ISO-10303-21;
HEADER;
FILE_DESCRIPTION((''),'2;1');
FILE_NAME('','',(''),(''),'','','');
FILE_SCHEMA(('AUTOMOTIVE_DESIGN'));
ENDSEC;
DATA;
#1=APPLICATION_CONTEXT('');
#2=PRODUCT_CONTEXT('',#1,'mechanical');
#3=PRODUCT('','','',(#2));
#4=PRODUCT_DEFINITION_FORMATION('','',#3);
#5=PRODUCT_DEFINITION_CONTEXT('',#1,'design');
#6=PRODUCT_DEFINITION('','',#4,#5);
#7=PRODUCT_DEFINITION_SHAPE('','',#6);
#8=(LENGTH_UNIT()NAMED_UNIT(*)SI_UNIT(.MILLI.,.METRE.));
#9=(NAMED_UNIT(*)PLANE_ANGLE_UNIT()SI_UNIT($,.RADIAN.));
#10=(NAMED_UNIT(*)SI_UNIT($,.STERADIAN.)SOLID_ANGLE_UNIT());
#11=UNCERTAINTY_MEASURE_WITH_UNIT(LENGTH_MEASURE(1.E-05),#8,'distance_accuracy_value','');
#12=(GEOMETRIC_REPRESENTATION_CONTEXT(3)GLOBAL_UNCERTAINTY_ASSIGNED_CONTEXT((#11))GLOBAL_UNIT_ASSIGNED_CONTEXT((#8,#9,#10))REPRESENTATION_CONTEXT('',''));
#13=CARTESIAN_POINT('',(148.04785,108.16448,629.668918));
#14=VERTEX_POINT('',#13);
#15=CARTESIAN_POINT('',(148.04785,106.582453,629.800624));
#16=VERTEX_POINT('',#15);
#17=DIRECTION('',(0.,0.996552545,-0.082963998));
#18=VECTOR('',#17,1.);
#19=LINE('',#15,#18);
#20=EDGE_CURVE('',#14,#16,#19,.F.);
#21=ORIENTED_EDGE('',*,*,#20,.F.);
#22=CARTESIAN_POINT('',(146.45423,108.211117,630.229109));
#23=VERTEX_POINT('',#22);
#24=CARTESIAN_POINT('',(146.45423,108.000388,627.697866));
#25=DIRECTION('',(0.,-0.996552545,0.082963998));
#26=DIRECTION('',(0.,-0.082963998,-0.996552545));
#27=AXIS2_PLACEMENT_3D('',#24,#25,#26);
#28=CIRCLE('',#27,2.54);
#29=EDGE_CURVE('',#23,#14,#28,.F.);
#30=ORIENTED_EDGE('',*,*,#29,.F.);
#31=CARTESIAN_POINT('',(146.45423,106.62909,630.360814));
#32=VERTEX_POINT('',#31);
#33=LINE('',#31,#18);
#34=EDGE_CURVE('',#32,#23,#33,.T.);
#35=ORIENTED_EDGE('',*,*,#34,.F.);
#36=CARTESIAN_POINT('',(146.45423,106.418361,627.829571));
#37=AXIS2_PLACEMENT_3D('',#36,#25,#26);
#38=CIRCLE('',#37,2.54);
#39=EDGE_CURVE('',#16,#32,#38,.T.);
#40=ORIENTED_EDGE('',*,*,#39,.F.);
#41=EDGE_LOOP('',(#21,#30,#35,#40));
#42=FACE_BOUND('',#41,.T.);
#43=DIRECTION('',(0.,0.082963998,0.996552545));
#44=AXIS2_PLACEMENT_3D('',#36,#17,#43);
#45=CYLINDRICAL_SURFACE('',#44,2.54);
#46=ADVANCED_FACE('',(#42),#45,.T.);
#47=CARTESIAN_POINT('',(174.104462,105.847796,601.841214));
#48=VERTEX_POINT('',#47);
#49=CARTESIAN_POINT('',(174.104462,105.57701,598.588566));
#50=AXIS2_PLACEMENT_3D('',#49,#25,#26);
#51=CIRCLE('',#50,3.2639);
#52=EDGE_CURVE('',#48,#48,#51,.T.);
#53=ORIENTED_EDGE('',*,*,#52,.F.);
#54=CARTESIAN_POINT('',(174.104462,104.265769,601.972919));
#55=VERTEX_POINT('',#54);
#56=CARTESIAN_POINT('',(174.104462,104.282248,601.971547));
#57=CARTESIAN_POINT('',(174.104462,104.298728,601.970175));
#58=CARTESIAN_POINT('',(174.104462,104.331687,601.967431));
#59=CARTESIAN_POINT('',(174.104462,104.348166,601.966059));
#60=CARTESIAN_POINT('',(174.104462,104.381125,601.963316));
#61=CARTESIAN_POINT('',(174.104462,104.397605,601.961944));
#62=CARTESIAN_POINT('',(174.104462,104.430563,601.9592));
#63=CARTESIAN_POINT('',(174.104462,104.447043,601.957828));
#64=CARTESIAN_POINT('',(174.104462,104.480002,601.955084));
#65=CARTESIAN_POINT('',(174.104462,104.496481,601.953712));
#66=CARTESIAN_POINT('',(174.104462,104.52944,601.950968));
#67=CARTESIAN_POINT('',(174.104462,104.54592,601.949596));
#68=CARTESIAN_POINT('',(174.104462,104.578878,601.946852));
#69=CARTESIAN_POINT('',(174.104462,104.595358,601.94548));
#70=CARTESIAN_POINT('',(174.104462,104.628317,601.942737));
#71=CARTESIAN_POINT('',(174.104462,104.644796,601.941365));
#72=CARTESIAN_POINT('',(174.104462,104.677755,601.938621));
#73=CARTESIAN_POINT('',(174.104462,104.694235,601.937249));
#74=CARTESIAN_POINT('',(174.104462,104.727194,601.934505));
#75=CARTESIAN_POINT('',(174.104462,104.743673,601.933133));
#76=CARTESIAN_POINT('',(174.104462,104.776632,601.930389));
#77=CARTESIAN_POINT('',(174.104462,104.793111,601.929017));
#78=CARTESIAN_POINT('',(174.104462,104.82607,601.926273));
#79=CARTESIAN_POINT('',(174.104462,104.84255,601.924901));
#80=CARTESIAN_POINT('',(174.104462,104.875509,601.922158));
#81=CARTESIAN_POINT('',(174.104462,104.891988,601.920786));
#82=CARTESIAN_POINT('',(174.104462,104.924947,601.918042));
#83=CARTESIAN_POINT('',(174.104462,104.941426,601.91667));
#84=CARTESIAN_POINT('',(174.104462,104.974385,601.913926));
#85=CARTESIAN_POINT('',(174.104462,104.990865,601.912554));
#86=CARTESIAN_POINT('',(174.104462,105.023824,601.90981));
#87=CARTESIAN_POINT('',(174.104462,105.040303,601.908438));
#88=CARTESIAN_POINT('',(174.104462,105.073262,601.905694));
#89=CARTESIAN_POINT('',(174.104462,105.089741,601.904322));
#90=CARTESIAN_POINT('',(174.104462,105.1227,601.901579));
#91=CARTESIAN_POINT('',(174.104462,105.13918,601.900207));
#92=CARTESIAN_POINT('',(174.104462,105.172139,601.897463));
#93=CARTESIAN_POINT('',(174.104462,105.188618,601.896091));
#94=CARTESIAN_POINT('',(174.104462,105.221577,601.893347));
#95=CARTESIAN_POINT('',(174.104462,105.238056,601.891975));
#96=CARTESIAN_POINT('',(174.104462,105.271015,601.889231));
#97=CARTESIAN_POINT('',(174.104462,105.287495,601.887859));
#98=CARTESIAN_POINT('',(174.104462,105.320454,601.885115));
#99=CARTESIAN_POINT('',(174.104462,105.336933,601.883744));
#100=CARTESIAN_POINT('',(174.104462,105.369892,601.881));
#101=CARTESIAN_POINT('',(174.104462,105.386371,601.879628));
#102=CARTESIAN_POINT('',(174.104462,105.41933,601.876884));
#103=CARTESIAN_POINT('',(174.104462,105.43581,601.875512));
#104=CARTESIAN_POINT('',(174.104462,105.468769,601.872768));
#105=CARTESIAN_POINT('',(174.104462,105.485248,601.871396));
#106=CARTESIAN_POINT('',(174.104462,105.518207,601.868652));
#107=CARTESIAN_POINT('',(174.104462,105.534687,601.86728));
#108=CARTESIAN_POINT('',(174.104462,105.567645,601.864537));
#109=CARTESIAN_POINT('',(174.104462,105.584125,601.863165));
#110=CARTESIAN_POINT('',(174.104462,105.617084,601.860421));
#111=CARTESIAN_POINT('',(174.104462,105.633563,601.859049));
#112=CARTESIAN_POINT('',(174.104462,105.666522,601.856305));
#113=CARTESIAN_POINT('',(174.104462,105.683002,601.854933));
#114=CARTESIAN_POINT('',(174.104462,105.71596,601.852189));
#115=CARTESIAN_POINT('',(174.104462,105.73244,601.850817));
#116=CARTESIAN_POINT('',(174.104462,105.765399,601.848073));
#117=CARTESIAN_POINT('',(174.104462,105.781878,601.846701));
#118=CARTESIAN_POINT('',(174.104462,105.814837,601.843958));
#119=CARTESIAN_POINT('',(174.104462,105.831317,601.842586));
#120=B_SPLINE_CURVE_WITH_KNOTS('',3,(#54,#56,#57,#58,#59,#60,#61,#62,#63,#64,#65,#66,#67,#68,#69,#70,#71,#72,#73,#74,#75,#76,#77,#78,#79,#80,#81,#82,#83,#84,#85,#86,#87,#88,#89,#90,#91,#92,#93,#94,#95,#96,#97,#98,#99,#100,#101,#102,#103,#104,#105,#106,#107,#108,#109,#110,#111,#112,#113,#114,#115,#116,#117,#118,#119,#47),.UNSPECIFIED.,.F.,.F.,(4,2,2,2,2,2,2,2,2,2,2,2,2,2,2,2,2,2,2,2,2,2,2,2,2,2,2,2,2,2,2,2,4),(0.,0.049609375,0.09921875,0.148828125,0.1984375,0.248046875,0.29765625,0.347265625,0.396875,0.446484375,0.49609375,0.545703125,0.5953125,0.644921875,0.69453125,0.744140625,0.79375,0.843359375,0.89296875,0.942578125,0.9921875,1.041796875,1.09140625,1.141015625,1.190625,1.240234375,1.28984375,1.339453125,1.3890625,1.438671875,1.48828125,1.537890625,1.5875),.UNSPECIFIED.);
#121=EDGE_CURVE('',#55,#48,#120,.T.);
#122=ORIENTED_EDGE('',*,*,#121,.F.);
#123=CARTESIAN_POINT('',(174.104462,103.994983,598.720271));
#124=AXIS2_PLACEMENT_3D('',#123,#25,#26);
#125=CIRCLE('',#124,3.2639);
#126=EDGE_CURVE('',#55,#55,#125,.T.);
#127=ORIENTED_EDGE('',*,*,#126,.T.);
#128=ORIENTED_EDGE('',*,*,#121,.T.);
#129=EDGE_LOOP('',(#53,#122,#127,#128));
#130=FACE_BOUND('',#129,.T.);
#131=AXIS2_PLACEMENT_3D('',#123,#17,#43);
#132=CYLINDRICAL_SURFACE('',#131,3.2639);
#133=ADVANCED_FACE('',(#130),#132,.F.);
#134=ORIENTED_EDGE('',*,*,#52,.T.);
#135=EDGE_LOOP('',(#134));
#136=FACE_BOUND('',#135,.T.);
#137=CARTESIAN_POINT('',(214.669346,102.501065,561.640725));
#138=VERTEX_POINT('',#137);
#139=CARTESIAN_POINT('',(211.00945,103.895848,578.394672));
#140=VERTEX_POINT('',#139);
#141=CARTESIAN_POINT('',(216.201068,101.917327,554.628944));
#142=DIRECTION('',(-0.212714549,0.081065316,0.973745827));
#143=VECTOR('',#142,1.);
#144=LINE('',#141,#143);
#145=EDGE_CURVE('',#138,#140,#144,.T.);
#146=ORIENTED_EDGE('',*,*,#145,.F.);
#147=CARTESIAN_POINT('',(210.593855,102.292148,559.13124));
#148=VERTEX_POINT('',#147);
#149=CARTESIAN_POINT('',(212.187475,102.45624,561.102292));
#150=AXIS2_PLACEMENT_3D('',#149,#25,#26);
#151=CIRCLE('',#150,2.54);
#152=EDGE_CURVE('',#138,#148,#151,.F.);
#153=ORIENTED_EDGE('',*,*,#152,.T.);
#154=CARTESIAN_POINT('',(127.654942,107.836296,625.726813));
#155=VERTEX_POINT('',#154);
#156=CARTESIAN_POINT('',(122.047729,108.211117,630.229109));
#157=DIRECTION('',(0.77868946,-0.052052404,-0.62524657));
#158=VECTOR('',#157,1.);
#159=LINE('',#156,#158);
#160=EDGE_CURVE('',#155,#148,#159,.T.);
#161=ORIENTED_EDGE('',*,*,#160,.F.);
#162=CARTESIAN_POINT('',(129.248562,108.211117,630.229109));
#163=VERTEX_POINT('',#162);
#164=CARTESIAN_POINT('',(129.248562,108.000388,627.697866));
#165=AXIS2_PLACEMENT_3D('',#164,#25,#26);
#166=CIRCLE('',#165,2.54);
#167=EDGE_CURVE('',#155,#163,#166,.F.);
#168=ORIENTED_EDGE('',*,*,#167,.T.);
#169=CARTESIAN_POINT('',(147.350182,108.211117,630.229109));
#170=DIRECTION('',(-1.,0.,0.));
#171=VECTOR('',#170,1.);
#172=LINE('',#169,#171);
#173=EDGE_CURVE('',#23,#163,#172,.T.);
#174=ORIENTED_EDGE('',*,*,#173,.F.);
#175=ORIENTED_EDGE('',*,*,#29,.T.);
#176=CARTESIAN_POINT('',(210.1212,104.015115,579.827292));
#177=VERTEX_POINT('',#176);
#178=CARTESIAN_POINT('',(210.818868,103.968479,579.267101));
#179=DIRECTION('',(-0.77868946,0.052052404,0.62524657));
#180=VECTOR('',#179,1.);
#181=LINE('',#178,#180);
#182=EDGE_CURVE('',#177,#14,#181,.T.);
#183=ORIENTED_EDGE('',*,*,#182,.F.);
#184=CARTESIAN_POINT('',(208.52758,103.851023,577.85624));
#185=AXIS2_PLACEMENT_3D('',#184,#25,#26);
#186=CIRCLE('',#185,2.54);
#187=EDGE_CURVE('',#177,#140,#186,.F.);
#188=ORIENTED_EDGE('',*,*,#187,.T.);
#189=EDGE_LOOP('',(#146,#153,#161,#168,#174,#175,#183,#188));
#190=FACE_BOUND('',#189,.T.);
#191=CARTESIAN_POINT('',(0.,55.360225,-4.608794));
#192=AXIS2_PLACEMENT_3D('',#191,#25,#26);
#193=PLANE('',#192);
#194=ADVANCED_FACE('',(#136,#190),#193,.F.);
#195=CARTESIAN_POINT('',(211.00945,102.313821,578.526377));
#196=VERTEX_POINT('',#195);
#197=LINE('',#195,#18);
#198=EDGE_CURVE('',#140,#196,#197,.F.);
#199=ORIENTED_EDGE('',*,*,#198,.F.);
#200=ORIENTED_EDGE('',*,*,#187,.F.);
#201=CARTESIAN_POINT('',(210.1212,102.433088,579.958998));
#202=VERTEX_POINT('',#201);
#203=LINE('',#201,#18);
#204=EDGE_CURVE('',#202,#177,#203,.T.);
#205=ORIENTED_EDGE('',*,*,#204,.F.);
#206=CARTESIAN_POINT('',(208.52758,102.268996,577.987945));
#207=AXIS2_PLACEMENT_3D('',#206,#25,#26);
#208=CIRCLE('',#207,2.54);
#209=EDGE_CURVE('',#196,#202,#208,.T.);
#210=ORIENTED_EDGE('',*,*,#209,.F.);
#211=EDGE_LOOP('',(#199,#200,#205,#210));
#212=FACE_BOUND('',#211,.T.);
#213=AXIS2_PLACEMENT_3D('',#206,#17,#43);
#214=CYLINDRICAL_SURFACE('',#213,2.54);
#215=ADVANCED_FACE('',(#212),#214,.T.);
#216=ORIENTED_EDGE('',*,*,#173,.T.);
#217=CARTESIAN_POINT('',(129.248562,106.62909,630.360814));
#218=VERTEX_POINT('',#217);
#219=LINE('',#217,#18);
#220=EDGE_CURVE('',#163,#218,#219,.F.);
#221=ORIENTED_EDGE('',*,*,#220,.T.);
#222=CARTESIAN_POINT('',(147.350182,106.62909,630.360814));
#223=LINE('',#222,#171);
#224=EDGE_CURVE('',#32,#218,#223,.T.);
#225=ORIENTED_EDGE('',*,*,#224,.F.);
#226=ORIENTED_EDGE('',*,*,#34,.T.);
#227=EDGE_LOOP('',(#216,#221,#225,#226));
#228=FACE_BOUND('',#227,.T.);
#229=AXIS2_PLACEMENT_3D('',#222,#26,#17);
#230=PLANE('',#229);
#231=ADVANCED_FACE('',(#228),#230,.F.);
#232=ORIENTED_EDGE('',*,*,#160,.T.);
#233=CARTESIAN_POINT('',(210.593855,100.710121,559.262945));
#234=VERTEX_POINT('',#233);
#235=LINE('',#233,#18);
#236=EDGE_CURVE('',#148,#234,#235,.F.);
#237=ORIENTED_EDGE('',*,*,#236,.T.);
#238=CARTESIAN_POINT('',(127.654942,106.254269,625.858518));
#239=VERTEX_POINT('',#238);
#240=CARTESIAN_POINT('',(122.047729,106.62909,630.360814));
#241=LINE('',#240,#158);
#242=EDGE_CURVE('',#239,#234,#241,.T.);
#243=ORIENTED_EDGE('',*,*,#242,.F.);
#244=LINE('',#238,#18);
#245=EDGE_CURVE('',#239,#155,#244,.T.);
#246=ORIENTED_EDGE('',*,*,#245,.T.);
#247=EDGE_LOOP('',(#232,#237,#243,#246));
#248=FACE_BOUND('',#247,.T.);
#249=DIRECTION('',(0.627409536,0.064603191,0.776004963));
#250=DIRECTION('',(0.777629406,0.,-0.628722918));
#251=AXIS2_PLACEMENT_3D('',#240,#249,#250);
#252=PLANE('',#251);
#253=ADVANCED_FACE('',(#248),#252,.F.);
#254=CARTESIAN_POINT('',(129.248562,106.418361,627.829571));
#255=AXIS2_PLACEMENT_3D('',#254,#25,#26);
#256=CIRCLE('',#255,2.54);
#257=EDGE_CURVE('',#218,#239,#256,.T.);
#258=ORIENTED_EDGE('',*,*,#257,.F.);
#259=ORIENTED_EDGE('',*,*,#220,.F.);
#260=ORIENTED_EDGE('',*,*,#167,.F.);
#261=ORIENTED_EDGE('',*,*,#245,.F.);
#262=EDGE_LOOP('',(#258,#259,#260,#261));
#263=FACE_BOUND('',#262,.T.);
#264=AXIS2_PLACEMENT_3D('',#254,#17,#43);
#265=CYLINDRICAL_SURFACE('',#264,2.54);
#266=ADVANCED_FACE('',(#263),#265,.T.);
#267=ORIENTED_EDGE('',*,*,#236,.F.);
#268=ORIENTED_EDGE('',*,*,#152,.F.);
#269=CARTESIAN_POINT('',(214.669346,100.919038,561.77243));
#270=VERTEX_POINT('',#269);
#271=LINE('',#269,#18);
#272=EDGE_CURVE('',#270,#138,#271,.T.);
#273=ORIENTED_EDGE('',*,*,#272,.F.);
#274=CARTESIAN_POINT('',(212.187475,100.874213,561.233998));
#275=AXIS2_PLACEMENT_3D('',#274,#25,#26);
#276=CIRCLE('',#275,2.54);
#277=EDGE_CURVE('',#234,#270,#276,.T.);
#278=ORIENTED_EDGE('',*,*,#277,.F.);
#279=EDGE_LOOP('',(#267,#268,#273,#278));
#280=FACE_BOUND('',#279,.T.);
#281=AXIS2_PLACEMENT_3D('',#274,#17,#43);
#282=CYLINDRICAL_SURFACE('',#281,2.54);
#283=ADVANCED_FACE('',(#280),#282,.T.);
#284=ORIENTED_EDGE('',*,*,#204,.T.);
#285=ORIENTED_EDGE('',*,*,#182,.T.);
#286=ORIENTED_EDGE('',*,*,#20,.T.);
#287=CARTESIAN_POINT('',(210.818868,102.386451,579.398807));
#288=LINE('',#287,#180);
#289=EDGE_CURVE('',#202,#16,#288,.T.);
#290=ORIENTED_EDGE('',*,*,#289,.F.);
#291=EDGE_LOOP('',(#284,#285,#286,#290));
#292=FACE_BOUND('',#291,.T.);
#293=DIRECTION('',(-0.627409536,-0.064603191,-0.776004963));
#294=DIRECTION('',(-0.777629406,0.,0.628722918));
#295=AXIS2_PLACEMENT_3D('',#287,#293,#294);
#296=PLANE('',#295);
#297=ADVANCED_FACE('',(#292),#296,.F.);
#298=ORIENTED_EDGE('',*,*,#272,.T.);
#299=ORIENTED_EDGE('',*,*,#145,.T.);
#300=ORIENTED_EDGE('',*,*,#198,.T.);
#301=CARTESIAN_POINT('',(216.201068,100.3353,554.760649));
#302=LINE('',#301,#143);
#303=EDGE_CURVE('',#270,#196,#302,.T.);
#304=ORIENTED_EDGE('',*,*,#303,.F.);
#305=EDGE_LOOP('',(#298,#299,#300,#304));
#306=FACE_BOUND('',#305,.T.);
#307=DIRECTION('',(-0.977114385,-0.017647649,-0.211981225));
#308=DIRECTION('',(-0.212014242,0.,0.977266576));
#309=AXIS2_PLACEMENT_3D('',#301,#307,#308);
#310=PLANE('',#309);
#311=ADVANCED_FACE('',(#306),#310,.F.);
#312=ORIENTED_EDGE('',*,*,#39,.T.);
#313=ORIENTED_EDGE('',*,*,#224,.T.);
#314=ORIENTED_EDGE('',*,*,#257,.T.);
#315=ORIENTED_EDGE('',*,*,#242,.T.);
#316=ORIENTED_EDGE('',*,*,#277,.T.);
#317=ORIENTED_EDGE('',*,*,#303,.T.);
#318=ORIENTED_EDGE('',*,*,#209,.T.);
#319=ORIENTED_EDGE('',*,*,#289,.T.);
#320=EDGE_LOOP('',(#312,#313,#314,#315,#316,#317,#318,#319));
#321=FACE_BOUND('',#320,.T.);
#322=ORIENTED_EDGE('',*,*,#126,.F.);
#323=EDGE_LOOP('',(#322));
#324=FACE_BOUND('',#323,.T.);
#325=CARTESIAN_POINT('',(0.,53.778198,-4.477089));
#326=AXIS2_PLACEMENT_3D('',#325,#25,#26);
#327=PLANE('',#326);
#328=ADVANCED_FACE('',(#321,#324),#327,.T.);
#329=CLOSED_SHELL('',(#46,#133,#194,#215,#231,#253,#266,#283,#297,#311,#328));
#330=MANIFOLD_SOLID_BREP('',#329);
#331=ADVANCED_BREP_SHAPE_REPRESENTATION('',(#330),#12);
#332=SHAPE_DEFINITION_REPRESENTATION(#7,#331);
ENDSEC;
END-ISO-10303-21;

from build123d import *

# Parameters (mm, degrees)
SKETCH1_R           = 3.2639
BOSS_EXTRUDE1_DEPTH = 1.5875
FILLET1_R           = 2.54


with BuildPart() as part:
    # Sketch1 → Boss-Extrude1 (new body)
    with BuildSketch(Plane(origin=(0, 55.360225049, -4.608794225), x_dir=(-1, 0, 0), z_dir=(1.3353901318069464e-14, -0.9965525450230818, 0.08296399826442058))):
        Polygon((-210.818868144, -585.895744737), (-147.350181938, -637.034049567), (-122.047729402, -637.034049567), (-216.201067918, -561.172354397), align=None)
        with Locations((-174.104461851, -605.284049567)):
            Circle(SKETCH1_R, mode=Mode.SUBTRACT)
    extrude(amount=BOSS_EXTRUDE1_DEPTH)

    # Fillet1
    fillet1_edges = [part.edges().sort_by_distance(p)[0] for p in [
        (122.047729402, 107.420103249, 630.294961811),
        (147.350181938, 107.420103249, 630.294961811),
        (210.818868144, 103.177465016, 579.332953984),
        (216.201067918, 101.126313702, 554.694796419),
    ]]
    fillet(fillet1_edges, radius=FILLET1_R)


solid = part.part
